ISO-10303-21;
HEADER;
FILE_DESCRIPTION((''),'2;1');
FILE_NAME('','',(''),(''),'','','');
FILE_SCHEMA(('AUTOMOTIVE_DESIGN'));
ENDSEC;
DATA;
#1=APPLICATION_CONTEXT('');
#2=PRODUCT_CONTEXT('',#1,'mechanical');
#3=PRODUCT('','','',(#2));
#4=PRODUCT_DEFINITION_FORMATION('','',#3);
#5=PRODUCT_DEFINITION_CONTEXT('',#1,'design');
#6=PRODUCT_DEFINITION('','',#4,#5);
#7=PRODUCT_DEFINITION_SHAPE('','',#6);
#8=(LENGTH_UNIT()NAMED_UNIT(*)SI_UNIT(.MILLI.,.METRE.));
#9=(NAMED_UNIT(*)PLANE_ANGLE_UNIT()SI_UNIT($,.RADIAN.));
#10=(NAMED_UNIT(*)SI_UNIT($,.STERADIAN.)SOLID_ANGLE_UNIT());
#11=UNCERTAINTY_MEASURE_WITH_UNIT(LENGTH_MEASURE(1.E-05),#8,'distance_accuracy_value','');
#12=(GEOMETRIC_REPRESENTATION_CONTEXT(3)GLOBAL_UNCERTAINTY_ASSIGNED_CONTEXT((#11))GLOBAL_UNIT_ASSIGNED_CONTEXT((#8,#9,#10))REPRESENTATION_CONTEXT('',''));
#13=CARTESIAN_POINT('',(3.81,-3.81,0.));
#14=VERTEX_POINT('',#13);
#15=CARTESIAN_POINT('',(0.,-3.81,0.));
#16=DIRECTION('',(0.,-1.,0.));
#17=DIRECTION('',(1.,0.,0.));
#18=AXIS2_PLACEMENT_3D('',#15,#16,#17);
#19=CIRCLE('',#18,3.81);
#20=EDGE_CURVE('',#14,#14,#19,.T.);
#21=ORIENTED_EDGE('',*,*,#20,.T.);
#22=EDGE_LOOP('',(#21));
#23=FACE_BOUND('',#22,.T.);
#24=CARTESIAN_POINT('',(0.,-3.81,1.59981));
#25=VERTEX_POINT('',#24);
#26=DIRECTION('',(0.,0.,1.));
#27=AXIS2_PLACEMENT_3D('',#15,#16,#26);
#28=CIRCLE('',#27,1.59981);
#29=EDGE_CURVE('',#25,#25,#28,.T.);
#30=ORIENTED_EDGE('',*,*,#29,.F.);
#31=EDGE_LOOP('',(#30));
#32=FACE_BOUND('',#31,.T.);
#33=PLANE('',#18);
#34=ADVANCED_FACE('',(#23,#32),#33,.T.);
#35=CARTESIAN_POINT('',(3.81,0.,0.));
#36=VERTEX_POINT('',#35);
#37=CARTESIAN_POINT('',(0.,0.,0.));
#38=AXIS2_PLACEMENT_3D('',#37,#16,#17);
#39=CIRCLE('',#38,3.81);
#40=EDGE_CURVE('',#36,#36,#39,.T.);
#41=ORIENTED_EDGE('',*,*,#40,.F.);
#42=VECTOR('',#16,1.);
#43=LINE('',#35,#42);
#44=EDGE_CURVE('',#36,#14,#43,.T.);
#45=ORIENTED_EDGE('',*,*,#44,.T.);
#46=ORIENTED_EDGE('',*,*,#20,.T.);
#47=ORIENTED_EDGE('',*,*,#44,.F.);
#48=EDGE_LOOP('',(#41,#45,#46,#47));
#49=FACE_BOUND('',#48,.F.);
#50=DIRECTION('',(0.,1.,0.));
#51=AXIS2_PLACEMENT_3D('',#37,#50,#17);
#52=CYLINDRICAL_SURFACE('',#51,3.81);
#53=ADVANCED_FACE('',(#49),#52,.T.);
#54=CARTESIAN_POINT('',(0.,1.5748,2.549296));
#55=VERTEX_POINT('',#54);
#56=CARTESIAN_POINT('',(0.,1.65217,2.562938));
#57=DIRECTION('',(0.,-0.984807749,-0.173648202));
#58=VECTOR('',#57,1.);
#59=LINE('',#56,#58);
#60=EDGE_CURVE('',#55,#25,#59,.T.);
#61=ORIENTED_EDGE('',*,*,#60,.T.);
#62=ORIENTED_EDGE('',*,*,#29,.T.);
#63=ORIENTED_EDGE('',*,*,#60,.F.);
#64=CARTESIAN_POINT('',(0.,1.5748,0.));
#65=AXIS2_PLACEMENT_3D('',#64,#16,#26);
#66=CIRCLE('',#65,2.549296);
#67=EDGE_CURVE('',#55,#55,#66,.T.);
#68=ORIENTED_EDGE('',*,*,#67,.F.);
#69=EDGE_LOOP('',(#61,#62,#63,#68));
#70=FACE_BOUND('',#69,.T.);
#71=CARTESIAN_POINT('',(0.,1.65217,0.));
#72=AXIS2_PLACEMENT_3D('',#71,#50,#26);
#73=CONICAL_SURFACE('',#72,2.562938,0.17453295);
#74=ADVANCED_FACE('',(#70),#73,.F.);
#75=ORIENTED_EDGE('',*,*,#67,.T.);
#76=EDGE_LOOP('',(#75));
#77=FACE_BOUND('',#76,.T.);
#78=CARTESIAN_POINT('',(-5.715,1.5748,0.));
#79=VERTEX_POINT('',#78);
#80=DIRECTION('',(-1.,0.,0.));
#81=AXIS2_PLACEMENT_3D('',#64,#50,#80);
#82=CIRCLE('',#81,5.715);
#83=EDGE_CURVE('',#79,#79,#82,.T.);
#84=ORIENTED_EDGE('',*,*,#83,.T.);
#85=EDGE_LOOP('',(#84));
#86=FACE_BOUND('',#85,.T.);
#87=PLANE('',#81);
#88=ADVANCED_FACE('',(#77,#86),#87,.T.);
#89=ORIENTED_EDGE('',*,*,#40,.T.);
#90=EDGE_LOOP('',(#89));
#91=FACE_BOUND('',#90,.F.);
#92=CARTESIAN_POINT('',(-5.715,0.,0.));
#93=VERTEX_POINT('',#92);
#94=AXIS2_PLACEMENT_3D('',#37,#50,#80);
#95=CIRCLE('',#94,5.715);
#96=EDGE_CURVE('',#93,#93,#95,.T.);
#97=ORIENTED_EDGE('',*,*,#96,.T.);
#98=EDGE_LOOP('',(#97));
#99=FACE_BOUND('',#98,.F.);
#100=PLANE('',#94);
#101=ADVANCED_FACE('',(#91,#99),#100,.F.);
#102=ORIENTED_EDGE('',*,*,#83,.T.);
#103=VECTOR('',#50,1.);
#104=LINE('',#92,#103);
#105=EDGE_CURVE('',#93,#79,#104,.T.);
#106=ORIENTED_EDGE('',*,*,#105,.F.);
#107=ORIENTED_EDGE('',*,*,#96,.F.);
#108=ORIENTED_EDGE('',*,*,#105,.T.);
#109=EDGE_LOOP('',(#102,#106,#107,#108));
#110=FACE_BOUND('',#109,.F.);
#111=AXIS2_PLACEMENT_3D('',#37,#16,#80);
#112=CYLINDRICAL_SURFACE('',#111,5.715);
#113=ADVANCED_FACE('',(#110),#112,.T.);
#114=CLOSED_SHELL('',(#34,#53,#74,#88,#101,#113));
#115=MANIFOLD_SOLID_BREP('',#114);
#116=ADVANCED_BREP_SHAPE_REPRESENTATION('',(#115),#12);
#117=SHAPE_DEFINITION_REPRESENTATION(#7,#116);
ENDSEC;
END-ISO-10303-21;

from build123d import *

# Parameters (mm, degrees)
F0_R     = 3.81
F1_DEPTH = 3.81
F2_R     = 5.715
F3_DEPTH = 1.5748


with BuildPart() as f1:
    # F0 (on Front) → F1 (new body)
    with BuildSketch(Plane.XZ):
        Circle(F0_R)
    extrude(amount=F1_DEPTH)

    # F2 (on face) → F3 (join)
    with BuildSketch(Plane(origin=(0, 0, 0), x_dir=(-1, 0, 0), z_dir=(0, 1, 0))):
        Circle(F2_R)
    extrude(amount=F3_DEPTH)

    # F4 (on Right) → F5 (revolve, cut)
    with BuildSketch(Plane.YZ):
        Polygon((-3.879813, 1.5875), (-3.879813, 0), (1.65217, 0), (1.65217, 2.562938), align=None)
    revolve(axis=Axis((0, -1.113821, 0), (0, 1, 0)), mode=Mode.SUBTRACT)


solid = f1.part
